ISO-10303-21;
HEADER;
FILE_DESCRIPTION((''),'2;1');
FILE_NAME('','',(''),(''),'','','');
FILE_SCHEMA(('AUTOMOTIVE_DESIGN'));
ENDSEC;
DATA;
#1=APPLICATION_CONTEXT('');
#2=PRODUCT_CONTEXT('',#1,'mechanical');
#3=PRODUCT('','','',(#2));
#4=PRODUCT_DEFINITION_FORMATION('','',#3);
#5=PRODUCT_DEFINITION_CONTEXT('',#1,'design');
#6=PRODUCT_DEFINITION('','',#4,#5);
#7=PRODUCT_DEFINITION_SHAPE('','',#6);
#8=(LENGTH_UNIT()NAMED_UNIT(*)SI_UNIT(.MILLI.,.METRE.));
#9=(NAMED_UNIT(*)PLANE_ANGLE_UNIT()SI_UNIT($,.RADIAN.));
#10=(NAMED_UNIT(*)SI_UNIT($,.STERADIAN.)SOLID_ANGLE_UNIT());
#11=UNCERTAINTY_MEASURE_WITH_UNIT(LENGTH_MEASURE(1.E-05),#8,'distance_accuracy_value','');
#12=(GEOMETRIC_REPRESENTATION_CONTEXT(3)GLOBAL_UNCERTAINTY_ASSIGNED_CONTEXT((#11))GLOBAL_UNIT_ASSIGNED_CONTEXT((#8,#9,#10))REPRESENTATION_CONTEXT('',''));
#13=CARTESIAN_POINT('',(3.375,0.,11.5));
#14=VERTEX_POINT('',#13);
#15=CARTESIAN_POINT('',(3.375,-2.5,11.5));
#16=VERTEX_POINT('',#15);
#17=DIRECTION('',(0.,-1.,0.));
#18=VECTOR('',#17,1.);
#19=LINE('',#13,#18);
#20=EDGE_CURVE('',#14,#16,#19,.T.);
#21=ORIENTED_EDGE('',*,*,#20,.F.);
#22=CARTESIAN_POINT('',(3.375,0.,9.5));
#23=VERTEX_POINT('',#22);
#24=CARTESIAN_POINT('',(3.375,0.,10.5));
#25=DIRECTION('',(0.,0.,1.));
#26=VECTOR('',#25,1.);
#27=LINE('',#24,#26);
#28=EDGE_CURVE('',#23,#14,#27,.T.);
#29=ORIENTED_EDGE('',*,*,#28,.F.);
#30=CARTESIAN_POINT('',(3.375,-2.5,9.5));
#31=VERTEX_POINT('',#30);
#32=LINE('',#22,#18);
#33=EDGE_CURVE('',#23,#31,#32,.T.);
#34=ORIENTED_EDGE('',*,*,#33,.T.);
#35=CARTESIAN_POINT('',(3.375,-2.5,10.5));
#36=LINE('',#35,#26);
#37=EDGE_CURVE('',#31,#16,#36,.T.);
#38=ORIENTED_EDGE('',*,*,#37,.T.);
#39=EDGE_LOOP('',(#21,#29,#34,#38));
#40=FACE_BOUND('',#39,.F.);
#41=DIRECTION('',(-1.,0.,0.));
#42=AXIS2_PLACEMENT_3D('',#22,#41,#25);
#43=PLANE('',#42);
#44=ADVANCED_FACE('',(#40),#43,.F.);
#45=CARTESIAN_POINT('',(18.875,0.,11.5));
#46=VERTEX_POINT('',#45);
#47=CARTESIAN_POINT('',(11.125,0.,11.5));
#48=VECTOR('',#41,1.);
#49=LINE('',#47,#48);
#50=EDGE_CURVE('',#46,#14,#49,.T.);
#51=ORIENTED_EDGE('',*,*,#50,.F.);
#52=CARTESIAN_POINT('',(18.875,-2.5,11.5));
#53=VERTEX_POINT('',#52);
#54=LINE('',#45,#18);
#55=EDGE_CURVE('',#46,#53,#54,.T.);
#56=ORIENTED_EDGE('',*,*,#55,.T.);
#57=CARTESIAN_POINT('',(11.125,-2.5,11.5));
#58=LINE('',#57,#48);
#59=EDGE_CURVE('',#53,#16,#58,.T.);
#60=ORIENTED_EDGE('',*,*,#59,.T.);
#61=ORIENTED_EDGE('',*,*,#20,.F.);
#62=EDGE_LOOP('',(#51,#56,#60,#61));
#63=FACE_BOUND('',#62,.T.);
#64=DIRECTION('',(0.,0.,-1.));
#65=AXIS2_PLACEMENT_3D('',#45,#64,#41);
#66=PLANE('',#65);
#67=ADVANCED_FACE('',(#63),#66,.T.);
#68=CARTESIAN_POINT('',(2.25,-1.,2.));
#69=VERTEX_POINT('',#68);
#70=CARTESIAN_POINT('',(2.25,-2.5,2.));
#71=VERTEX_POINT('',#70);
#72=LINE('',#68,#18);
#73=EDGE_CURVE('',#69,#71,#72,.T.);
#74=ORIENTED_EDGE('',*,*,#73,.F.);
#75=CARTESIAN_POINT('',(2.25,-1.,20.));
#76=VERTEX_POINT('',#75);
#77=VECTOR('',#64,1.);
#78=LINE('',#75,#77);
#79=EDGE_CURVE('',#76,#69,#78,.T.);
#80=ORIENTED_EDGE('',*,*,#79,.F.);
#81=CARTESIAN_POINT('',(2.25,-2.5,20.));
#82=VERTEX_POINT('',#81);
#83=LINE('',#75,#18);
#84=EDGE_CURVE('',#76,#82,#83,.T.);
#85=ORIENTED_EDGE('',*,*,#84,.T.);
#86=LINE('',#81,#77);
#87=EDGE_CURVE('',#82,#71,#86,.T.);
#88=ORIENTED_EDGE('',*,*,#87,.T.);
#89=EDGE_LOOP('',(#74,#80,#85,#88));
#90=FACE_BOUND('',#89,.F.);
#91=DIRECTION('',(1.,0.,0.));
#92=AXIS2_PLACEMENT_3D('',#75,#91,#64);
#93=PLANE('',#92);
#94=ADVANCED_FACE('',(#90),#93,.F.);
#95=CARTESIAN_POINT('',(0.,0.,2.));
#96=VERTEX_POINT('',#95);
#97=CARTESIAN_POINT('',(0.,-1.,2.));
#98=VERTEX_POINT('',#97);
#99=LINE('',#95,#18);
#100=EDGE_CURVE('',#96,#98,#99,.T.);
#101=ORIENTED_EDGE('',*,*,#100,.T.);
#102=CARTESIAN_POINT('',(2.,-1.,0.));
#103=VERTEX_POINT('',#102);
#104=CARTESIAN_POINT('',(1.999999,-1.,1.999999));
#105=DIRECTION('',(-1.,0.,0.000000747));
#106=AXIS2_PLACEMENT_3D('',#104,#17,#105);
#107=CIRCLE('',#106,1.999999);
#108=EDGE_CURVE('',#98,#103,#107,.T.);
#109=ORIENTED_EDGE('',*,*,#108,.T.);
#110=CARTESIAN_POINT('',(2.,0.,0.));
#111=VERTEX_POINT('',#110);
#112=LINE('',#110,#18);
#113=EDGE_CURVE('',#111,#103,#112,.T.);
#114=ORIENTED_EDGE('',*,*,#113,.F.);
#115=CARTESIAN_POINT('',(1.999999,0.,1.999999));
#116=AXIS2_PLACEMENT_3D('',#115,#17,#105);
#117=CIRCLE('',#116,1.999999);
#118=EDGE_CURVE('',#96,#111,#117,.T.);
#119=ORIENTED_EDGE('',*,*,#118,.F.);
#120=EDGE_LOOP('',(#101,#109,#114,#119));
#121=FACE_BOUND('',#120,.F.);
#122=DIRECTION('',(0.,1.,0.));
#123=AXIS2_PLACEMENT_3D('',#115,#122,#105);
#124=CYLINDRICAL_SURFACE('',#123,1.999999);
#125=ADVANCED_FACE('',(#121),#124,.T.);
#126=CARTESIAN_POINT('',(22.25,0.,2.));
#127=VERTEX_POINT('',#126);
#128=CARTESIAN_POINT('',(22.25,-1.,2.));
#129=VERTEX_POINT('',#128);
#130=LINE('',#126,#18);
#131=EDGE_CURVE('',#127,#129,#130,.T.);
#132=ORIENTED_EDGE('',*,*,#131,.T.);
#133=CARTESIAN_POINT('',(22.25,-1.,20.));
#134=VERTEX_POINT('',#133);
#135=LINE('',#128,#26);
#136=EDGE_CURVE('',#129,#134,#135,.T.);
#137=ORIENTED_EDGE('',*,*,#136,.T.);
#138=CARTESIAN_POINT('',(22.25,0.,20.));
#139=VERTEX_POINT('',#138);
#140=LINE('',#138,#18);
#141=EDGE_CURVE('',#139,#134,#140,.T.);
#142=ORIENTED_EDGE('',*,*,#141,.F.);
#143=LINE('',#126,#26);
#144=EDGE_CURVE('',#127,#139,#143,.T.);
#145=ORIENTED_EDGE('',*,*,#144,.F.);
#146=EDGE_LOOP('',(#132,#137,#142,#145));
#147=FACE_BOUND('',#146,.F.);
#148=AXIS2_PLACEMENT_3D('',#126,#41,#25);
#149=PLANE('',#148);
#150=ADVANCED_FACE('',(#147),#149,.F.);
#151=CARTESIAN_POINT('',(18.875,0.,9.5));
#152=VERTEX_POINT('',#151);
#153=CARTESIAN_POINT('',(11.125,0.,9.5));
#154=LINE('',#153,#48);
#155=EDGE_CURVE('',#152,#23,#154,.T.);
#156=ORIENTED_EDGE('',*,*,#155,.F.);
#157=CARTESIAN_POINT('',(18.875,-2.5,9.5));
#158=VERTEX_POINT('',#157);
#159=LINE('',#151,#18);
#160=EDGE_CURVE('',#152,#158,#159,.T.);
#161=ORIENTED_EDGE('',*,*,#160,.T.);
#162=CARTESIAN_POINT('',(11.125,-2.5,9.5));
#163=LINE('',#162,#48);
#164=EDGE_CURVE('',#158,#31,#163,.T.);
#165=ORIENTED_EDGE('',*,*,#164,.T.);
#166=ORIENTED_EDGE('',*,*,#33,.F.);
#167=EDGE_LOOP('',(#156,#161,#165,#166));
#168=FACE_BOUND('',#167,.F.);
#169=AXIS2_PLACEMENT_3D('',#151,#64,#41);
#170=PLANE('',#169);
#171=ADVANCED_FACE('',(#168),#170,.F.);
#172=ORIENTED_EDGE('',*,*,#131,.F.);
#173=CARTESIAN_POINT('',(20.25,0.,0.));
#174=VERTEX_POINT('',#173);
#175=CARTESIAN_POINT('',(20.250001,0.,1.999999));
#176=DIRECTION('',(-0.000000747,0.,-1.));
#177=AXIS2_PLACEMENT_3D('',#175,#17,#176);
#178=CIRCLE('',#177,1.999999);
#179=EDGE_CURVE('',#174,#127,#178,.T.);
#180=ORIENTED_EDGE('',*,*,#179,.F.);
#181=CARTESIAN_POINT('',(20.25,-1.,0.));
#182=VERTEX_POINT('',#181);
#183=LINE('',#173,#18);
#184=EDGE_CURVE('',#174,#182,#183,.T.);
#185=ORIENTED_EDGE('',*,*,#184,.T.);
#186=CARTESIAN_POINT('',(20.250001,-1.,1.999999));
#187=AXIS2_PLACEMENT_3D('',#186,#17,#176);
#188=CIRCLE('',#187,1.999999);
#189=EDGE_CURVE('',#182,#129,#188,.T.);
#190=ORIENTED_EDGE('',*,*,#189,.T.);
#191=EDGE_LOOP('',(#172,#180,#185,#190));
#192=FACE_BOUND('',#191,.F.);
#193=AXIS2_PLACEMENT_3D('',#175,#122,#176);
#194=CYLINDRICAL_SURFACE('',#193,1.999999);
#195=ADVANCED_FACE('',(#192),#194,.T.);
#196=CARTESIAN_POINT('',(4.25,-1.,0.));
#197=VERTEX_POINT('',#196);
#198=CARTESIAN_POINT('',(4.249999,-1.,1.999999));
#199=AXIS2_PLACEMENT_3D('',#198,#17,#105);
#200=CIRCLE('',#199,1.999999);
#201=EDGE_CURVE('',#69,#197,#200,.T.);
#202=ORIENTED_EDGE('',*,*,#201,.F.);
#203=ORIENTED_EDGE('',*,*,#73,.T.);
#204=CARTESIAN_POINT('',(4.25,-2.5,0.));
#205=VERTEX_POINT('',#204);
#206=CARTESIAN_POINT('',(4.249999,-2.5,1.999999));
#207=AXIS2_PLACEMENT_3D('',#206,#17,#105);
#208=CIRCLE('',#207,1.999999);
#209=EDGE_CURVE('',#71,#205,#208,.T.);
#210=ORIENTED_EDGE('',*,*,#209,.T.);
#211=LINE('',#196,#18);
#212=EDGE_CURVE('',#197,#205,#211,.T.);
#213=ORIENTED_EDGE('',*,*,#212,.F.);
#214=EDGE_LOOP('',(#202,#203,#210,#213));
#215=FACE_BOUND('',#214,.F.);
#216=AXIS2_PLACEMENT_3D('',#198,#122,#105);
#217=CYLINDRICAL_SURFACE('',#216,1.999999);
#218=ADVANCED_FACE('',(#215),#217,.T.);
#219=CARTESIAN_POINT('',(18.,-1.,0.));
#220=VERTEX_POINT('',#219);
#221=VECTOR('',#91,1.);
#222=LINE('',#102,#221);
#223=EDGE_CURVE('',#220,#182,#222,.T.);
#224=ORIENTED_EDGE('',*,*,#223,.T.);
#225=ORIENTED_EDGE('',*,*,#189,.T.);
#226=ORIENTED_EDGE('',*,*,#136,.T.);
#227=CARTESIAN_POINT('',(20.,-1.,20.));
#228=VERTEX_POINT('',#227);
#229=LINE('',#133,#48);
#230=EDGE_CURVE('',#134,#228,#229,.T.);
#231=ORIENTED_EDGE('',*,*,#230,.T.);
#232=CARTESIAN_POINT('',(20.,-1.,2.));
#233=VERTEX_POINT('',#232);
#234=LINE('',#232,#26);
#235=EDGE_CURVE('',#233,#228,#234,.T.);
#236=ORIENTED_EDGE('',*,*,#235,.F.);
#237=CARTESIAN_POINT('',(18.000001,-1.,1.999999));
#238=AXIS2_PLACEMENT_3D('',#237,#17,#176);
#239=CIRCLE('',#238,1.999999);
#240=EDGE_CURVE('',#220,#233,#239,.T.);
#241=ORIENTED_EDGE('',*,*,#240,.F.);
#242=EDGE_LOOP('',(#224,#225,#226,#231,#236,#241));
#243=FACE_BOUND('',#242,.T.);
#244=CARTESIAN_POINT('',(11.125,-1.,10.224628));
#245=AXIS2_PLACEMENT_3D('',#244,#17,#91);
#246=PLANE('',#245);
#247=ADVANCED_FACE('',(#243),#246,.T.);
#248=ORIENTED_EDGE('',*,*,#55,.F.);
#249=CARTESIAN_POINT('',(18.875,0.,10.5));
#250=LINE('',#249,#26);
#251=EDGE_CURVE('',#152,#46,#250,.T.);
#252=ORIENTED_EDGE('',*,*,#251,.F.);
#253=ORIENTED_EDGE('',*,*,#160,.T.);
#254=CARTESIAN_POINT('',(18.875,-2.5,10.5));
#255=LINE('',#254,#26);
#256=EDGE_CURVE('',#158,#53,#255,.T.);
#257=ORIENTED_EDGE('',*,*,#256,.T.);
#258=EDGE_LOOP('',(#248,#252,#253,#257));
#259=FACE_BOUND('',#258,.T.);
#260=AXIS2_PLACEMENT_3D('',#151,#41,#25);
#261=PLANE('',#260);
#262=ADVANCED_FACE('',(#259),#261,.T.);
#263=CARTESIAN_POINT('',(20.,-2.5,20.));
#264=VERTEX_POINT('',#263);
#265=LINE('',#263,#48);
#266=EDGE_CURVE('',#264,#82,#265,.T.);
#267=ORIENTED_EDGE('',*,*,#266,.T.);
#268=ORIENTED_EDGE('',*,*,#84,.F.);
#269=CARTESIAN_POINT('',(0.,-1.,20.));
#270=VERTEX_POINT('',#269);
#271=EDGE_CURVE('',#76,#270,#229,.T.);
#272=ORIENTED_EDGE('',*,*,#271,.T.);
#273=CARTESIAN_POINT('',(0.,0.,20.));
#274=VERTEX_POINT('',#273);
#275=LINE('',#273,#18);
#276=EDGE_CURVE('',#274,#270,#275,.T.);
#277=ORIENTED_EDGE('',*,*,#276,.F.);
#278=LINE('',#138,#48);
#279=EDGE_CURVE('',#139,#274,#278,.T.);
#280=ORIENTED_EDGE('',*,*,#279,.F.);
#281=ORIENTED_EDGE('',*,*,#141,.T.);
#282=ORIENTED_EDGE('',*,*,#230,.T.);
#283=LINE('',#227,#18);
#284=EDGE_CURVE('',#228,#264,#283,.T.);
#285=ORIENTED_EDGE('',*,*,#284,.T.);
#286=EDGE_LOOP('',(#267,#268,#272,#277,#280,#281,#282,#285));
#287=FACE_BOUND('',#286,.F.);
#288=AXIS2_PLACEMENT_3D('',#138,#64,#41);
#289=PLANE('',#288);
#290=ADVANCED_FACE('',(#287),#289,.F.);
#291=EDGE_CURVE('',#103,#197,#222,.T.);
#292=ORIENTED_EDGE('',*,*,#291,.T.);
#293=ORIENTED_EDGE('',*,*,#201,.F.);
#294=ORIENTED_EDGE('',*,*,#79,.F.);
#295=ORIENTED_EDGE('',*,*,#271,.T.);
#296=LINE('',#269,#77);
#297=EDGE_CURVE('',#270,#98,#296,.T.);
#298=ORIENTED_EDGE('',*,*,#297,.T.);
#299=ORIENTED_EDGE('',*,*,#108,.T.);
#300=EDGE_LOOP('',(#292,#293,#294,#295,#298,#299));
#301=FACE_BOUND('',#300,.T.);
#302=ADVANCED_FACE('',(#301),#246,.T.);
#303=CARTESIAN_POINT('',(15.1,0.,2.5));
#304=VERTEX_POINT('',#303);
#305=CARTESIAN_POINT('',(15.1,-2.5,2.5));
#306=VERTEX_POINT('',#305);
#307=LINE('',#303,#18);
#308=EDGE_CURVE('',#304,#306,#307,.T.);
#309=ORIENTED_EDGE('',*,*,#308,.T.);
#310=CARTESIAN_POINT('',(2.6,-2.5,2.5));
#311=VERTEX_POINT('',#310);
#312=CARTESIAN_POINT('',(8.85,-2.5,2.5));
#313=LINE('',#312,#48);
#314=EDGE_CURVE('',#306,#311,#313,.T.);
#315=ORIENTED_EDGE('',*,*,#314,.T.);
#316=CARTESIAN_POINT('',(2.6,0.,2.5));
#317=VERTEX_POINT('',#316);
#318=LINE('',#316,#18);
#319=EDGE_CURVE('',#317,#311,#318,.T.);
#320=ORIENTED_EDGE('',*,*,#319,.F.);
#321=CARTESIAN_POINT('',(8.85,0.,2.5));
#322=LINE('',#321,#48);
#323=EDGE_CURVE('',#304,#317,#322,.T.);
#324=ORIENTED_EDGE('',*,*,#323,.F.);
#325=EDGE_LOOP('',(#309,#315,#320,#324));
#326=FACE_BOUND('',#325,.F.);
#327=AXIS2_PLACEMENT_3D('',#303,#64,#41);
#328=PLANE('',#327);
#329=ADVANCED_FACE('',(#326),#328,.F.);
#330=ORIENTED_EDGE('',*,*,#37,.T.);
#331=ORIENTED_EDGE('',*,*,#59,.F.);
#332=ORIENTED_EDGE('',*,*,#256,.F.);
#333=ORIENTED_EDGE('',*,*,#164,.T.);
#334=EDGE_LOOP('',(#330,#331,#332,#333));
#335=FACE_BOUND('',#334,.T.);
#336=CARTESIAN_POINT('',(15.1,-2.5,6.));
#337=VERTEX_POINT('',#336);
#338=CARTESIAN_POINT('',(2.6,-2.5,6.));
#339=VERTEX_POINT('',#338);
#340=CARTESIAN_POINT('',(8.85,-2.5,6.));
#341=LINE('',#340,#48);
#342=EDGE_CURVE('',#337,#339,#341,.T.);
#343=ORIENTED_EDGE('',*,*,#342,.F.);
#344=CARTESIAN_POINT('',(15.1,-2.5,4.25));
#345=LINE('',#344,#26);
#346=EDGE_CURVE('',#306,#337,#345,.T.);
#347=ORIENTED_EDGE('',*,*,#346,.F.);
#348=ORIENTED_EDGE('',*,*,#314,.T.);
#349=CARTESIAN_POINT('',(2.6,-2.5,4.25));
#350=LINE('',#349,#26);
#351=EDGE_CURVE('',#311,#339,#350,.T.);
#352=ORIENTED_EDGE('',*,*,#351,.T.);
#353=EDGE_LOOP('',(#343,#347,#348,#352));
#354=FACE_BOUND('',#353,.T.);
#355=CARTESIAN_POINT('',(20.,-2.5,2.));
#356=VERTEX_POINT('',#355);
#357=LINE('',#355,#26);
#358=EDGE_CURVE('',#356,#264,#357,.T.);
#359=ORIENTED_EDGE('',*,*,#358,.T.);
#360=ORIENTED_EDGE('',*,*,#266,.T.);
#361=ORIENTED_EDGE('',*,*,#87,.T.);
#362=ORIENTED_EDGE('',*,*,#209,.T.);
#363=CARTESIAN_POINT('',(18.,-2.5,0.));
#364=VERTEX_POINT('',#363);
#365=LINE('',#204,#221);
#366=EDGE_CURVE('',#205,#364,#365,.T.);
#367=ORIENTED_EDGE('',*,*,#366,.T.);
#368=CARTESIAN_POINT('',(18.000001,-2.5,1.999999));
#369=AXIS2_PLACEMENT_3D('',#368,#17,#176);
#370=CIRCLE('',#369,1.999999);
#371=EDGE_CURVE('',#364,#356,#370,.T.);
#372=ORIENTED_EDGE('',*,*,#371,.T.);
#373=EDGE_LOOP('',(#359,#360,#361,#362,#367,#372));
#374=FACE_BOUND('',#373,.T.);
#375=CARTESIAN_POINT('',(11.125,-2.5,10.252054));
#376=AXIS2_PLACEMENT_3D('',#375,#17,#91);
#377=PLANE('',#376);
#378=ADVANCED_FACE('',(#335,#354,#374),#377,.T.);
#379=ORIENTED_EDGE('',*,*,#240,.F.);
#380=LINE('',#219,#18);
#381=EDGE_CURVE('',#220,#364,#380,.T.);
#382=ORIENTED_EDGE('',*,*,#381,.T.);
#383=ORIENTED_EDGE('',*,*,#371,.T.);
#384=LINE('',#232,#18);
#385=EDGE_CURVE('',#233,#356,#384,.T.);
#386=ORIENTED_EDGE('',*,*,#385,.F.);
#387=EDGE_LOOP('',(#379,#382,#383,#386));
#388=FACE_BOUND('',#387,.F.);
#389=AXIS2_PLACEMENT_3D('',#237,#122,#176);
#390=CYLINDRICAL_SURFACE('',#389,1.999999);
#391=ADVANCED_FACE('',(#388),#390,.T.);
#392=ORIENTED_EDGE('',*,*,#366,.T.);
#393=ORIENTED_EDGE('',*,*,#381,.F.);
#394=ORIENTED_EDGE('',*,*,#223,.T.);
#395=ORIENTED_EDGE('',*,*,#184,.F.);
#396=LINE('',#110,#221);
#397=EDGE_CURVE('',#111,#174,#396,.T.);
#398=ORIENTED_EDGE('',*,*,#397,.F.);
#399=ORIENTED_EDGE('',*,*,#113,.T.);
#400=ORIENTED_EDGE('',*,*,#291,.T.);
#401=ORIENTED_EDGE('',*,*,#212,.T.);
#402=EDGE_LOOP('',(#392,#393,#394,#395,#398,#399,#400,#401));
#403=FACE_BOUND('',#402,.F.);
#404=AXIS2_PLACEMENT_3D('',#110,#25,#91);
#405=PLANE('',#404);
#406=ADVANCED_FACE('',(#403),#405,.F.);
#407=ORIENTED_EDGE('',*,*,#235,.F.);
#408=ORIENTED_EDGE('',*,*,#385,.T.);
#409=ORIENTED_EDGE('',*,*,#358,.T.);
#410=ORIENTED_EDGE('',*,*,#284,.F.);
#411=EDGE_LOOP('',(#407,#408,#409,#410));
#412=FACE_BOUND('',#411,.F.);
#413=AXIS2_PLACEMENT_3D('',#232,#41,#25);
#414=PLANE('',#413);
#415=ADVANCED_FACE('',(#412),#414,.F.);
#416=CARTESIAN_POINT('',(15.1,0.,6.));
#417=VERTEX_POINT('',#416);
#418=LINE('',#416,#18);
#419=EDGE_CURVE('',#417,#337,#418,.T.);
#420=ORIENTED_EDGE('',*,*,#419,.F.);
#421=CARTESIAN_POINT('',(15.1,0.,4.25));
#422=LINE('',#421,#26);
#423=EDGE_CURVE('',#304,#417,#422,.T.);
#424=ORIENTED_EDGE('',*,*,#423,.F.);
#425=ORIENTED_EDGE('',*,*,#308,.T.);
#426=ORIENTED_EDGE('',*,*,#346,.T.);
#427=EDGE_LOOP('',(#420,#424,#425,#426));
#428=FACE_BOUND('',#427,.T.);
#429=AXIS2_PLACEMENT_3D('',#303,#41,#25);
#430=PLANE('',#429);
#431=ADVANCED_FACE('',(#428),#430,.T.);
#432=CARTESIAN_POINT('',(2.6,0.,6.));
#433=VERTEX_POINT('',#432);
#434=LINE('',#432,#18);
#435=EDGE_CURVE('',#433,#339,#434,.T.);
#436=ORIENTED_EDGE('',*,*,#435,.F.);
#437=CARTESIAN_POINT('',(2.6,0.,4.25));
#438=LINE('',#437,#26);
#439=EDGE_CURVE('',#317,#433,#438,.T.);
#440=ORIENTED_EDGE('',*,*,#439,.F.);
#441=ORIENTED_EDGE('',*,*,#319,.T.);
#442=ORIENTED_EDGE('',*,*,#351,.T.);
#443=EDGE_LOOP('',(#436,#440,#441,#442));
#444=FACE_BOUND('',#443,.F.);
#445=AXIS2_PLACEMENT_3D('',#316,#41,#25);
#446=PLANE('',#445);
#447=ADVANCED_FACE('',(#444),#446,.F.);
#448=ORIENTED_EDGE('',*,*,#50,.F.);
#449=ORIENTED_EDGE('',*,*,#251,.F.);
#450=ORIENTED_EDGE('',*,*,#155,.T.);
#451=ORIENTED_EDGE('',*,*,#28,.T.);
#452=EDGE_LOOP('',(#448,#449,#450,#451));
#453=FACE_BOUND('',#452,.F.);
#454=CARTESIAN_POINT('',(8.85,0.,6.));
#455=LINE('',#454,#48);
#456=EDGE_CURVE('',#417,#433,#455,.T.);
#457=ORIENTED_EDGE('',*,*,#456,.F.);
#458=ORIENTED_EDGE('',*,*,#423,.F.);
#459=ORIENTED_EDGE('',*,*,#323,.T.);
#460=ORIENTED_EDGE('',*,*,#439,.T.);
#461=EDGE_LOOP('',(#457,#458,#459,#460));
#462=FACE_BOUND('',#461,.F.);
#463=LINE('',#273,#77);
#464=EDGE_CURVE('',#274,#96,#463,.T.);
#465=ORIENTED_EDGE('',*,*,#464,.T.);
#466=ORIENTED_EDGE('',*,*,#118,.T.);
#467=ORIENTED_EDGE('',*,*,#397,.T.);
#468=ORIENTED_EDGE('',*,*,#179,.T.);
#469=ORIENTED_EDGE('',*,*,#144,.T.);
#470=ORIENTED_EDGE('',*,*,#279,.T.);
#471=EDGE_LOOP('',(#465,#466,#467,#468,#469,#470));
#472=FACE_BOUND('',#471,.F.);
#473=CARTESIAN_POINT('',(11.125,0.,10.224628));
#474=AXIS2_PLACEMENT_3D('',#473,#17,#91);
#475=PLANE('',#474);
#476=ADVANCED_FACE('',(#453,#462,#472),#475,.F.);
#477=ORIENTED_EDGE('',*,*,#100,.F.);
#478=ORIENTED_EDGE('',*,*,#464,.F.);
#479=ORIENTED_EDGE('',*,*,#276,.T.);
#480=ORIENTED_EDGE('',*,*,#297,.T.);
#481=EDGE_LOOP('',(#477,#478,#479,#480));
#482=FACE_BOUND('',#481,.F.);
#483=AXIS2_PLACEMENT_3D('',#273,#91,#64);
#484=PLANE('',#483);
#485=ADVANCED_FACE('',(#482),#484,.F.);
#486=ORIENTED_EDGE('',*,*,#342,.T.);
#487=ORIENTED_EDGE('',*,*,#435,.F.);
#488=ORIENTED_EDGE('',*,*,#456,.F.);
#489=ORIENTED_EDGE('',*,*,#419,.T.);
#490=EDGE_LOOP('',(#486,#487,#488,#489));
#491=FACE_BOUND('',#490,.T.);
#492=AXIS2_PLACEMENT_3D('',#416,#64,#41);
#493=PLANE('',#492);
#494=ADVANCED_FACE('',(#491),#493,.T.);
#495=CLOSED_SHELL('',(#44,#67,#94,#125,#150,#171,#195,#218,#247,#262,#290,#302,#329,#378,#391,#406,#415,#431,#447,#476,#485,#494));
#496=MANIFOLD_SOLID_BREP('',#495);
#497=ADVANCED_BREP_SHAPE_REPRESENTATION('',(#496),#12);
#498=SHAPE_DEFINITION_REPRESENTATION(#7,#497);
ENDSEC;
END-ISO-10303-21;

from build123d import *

# Parameters (mm, degrees)
F1_DEPTH = 1
F3_DEPTH = 1.5
F5_W     = 12.5
F5_H     = 3.5
F5_W_2   = 15.5
F5_H_2   = 2
F6_DEPTH = 2.5


with BuildPart() as f1:
    # F0 (on Front) → F1 (new body)
    with BuildSketch(Plane.XZ):
        with BuildLine():
            ThreePointArc((0, 2), (0.585786, 0.585786), (2, 0))
            Line((2, 0), (20.25, 0))
            ThreePointArc((20.25, 0), (21.664214, 0.585786), (22.25, 2))
            Line((22.25, 2), (22.25, 20))
            Line((22.25, 20), (0, 20))
            Line((0, 20), (0, 2))
        make_face()
    extrude(amount=F1_DEPTH)


with BuildPart() as f3:
    # F2 (on face) → F3 (new body)
    with BuildSketch(Plane.XZ.offset(1)):
        with BuildLine():
            Line((20, 20), (2.25, 20))
            Line((2.25, 20), (2.25, 2))
            ThreePointArc((2.25, 2), (2.835786, 0.585786), (4.25, 0))
            Line((4.25, 0), (18, 0))
            ThreePointArc((18, 0), (19.414214, 0.585786), (20, 2))
            Line((20, 2), (20, 20))
        make_face()
    extrude(amount=F3_DEPTH)


with BuildPart() as f1_1:
    add(f1.part)

    # F4: union F3
    add(f3.part)

    # F5 (on face) → F6 (cut, through all)
    with BuildSketch(Plane(origin=(0, 0, 0), x_dir=(-1, 0, 0), z_dir=(0, 1, 0))):
        with Locations((-8.85, 4.25)):
            Rectangle(F5_W, F5_H)
        with Locations((-11.125, 10.5)):
            Rectangle(F5_W_2, F5_H_2)
    extrude(amount=-F6_DEPTH, mode=Mode.SUBTRACT)


solid = f1_1.part
